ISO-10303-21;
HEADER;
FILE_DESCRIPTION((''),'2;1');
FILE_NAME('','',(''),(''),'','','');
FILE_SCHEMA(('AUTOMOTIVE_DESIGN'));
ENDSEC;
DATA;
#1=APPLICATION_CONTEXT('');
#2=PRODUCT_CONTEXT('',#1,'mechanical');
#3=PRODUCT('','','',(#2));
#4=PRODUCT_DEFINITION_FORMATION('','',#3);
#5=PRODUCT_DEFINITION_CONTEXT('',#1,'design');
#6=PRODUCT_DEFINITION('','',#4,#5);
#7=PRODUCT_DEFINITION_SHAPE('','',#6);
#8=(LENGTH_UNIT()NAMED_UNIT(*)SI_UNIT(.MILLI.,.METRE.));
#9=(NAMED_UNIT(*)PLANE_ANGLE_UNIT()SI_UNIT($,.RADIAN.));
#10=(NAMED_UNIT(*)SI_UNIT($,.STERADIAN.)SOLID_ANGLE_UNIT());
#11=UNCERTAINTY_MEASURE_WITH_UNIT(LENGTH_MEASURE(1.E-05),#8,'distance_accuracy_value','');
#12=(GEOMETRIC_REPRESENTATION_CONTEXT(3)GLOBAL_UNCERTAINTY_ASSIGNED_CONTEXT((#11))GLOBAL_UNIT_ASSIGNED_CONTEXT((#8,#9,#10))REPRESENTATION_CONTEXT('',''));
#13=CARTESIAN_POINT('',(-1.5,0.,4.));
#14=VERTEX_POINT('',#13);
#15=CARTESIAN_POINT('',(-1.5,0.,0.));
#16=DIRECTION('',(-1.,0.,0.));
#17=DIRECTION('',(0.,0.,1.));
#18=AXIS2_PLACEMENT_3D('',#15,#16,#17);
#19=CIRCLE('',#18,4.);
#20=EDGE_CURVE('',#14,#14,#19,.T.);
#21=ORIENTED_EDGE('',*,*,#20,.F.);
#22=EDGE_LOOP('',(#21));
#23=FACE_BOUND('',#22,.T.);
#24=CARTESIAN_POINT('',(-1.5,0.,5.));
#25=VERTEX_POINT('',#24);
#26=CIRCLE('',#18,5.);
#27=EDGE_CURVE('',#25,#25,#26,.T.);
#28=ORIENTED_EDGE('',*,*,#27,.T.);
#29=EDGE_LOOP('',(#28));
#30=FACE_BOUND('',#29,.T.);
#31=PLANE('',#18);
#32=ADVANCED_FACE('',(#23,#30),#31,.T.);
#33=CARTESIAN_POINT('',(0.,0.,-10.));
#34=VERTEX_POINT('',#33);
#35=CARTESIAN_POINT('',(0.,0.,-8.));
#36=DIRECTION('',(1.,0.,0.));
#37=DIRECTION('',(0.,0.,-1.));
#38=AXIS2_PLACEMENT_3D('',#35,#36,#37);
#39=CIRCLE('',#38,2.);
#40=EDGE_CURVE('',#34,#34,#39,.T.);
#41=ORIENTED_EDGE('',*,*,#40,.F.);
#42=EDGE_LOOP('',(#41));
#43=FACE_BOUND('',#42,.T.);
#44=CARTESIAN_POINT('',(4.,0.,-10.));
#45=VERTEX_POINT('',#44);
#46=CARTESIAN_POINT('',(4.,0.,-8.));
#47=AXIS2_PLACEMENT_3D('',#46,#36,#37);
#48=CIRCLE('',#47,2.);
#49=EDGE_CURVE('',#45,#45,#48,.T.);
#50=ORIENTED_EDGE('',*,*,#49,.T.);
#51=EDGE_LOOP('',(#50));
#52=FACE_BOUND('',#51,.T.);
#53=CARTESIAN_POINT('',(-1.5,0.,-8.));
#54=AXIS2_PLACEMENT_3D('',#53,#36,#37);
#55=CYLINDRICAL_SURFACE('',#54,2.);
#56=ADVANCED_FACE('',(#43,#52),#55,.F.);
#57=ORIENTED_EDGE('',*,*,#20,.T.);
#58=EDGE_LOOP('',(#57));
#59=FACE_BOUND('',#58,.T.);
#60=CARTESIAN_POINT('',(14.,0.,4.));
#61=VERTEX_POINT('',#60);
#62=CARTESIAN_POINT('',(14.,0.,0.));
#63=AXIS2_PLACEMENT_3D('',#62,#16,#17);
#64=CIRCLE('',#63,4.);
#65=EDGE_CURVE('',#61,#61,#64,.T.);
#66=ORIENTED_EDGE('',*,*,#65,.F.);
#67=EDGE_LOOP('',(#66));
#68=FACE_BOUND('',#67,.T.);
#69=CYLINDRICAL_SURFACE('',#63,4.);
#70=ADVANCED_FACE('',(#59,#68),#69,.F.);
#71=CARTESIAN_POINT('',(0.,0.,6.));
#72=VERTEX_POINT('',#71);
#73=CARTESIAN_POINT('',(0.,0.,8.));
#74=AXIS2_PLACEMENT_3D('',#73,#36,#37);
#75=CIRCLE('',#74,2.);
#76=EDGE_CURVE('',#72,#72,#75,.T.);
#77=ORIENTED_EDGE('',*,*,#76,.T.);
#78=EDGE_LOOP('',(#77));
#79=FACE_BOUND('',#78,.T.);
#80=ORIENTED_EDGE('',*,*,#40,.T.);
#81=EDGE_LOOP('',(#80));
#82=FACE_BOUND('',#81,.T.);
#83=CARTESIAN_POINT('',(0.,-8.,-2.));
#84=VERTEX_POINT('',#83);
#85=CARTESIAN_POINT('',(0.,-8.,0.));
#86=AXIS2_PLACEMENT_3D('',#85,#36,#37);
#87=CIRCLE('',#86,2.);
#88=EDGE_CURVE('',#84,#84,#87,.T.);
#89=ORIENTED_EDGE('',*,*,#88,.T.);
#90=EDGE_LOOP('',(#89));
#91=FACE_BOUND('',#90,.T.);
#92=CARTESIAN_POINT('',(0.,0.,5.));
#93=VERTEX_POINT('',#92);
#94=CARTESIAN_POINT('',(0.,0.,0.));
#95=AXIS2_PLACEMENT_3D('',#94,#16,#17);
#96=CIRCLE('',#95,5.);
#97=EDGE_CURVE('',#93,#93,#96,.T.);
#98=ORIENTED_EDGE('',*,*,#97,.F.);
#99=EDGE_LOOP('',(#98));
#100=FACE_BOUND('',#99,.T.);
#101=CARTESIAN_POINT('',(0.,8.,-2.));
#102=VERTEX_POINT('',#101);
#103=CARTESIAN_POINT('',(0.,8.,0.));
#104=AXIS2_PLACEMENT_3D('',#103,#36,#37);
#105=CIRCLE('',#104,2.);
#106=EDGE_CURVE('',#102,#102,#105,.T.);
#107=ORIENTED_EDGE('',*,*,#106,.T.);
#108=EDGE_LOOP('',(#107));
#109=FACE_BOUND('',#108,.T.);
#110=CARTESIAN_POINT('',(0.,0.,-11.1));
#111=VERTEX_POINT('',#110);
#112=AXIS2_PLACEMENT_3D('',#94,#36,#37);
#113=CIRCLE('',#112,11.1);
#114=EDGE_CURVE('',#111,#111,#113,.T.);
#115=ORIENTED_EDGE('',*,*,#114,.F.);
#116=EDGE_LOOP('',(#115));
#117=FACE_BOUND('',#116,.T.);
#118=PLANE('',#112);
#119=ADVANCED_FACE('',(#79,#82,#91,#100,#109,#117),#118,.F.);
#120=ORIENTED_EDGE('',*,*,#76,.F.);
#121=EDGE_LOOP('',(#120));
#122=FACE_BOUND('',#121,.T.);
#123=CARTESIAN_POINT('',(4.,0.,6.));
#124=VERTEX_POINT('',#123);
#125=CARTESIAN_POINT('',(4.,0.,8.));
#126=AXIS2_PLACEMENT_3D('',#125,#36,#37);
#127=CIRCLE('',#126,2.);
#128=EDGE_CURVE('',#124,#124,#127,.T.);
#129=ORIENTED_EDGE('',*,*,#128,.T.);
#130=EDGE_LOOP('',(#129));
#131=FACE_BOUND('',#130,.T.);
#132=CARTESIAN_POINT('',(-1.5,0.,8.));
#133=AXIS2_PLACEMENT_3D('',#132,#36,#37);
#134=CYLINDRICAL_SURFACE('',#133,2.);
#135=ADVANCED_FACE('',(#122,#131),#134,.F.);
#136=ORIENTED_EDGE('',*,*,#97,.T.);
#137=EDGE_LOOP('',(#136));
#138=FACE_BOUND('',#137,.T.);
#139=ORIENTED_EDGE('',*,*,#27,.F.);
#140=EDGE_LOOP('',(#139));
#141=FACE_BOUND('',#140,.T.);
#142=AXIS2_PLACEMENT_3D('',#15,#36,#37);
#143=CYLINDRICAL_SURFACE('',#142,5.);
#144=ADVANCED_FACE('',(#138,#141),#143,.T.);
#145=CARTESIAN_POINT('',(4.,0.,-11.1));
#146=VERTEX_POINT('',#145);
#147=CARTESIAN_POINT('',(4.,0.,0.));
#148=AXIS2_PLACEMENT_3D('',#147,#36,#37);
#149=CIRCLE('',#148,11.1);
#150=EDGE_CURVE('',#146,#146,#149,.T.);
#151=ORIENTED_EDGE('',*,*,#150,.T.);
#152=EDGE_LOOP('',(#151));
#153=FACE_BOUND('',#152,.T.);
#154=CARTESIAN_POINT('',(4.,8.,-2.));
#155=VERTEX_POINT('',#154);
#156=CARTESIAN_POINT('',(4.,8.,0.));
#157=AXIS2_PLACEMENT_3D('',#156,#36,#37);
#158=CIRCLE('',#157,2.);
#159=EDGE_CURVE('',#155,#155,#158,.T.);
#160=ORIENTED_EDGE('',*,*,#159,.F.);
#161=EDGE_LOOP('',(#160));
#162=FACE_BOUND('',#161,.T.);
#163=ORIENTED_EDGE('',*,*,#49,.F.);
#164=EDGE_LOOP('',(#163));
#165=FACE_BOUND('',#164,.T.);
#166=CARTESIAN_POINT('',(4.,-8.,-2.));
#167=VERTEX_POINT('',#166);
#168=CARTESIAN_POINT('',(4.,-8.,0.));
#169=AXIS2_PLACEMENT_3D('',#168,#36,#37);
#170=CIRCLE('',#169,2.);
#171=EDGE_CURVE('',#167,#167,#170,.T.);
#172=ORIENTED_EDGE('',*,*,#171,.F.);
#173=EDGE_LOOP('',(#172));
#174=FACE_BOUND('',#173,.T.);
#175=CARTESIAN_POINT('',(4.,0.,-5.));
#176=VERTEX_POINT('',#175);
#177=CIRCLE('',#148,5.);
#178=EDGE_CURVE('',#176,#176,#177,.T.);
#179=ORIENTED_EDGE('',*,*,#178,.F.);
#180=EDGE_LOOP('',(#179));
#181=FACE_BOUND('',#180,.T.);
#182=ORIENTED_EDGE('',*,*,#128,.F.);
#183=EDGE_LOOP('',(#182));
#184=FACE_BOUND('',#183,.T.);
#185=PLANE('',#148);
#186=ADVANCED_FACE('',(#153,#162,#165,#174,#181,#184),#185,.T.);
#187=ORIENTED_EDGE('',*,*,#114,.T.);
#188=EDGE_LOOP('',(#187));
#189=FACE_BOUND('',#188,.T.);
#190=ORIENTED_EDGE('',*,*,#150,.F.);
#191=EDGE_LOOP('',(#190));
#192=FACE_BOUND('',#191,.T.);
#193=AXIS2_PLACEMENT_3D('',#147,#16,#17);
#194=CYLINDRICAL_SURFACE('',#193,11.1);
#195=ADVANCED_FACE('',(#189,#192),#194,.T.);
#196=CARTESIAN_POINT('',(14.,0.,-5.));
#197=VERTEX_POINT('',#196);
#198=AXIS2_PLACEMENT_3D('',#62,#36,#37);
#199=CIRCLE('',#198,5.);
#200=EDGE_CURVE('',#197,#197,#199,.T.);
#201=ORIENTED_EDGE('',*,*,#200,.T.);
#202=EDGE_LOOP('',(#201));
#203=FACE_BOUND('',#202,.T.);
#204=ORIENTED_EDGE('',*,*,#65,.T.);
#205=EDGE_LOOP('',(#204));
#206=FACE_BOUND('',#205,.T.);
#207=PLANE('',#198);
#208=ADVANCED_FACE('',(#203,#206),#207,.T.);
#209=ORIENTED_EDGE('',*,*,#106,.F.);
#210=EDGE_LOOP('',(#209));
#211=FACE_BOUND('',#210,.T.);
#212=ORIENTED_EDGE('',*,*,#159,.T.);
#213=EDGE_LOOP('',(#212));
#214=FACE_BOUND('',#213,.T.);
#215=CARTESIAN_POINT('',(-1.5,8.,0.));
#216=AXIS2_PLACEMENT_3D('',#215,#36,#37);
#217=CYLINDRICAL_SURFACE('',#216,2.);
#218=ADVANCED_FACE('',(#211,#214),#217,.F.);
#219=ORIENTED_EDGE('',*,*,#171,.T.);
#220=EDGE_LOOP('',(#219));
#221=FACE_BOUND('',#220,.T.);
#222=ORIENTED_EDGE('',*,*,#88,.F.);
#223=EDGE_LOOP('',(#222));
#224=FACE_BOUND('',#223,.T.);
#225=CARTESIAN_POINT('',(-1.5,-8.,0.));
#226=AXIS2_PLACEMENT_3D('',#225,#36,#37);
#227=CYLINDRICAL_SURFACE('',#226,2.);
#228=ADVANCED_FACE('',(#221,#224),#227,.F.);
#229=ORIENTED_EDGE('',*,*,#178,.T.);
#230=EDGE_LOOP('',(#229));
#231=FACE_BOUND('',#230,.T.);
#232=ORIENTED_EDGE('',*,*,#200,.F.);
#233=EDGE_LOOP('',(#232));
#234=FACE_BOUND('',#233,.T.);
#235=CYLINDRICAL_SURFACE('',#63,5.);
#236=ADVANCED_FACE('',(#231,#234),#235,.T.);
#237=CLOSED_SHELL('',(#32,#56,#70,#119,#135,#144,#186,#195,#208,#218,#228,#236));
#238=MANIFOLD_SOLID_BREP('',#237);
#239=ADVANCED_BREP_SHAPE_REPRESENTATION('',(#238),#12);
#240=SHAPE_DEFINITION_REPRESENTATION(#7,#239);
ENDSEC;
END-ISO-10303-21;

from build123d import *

# Parameters (mm, degrees)
SKETCH1_R               = 11.1
BOSS_EXTRUDE1_DEPTH     = 4
SKETCH2_R               = 5
BOSS_EXTRUDE2_DEPTH     = 10
BOSS_EXTRUDE3_START     = 1.5
SKETCH3_R               = 5
BOSS_EXTRUDE3_DEPTH     = 1.5
CUT_EXTRUDE1_DEPTH      = 23.06059836
CUT_EXTRUDE1_DEPTH_BACK = 23.06059836
SKETCH4_R               = 4
CUT_EXTRUDE2_DEPTH      = 19.612361484
CUT_EXTRUDE2_DEPTH_BACK = 19.612361484
SKETCH5_R               = 2


with BuildPart() as part:
    # Sketch1 → Boss-Extrude1 (new body)
    with BuildSketch(Plane(origin=(0, 0, 0), x_dir=(0, 0, -1), z_dir=(1, 0, 0))):
        Circle(SKETCH1_R)
    extrude(amount=BOSS_EXTRUDE1_DEPTH)

    # Sketch2 → Boss-Extrude2 (add)
    with BuildSketch(Plane(origin=(4, 0, 0), x_dir=(0, 0, -1), z_dir=(1, 0, 0))):
        Circle(SKETCH2_R)
    extrude(amount=BOSS_EXTRUDE2_DEPTH)

    # Sketch3 → Boss-Extrude3 (add)
    with BuildSketch(Plane.ZY.offset(BOSS_EXTRUDE3_START)):
        with Locations(Location((0, 0, 0), (0, 0, 180))):
            Circle(SKETCH3_R)
    extrude(amount=-BOSS_EXTRUDE3_DEPTH)

    # Sketch4 → Cut-Extrude1 (cut, two sides: drawn at the far end of the back side and taken through both)
    with BuildSketch(Plane.ZY.offset(1.5).offset(-CUT_EXTRUDE1_DEPTH_BACK)):
        Circle(SKETCH4_R)
    extrude(amount=CUT_EXTRUDE1_DEPTH + CUT_EXTRUDE1_DEPTH_BACK, mode=Mode.SUBTRACT)

    # Sketch5 → Cut-Extrude2 (cut, two sides: drawn at the far end of the back side and taken through both)
    with BuildSketch(Plane(origin=(4, 0, 0), x_dir=(0, 0, -1), z_dir=(1, 0, 0)).offset(-CUT_EXTRUDE2_DEPTH_BACK)):
        with Locations((0, 8)):
            Circle(SKETCH5_R)
        with Locations((8, 0)):
            Circle(SKETCH5_R)
        with Locations((0, -8)):
            Circle(SKETCH5_R)
        with Locations((-8, 0)):
            Circle(SKETCH5_R)
    extrude(amount=CUT_EXTRUDE2_DEPTH + CUT_EXTRUDE2_DEPTH_BACK, mode=Mode.SUBTRACT)


solid = part.part
